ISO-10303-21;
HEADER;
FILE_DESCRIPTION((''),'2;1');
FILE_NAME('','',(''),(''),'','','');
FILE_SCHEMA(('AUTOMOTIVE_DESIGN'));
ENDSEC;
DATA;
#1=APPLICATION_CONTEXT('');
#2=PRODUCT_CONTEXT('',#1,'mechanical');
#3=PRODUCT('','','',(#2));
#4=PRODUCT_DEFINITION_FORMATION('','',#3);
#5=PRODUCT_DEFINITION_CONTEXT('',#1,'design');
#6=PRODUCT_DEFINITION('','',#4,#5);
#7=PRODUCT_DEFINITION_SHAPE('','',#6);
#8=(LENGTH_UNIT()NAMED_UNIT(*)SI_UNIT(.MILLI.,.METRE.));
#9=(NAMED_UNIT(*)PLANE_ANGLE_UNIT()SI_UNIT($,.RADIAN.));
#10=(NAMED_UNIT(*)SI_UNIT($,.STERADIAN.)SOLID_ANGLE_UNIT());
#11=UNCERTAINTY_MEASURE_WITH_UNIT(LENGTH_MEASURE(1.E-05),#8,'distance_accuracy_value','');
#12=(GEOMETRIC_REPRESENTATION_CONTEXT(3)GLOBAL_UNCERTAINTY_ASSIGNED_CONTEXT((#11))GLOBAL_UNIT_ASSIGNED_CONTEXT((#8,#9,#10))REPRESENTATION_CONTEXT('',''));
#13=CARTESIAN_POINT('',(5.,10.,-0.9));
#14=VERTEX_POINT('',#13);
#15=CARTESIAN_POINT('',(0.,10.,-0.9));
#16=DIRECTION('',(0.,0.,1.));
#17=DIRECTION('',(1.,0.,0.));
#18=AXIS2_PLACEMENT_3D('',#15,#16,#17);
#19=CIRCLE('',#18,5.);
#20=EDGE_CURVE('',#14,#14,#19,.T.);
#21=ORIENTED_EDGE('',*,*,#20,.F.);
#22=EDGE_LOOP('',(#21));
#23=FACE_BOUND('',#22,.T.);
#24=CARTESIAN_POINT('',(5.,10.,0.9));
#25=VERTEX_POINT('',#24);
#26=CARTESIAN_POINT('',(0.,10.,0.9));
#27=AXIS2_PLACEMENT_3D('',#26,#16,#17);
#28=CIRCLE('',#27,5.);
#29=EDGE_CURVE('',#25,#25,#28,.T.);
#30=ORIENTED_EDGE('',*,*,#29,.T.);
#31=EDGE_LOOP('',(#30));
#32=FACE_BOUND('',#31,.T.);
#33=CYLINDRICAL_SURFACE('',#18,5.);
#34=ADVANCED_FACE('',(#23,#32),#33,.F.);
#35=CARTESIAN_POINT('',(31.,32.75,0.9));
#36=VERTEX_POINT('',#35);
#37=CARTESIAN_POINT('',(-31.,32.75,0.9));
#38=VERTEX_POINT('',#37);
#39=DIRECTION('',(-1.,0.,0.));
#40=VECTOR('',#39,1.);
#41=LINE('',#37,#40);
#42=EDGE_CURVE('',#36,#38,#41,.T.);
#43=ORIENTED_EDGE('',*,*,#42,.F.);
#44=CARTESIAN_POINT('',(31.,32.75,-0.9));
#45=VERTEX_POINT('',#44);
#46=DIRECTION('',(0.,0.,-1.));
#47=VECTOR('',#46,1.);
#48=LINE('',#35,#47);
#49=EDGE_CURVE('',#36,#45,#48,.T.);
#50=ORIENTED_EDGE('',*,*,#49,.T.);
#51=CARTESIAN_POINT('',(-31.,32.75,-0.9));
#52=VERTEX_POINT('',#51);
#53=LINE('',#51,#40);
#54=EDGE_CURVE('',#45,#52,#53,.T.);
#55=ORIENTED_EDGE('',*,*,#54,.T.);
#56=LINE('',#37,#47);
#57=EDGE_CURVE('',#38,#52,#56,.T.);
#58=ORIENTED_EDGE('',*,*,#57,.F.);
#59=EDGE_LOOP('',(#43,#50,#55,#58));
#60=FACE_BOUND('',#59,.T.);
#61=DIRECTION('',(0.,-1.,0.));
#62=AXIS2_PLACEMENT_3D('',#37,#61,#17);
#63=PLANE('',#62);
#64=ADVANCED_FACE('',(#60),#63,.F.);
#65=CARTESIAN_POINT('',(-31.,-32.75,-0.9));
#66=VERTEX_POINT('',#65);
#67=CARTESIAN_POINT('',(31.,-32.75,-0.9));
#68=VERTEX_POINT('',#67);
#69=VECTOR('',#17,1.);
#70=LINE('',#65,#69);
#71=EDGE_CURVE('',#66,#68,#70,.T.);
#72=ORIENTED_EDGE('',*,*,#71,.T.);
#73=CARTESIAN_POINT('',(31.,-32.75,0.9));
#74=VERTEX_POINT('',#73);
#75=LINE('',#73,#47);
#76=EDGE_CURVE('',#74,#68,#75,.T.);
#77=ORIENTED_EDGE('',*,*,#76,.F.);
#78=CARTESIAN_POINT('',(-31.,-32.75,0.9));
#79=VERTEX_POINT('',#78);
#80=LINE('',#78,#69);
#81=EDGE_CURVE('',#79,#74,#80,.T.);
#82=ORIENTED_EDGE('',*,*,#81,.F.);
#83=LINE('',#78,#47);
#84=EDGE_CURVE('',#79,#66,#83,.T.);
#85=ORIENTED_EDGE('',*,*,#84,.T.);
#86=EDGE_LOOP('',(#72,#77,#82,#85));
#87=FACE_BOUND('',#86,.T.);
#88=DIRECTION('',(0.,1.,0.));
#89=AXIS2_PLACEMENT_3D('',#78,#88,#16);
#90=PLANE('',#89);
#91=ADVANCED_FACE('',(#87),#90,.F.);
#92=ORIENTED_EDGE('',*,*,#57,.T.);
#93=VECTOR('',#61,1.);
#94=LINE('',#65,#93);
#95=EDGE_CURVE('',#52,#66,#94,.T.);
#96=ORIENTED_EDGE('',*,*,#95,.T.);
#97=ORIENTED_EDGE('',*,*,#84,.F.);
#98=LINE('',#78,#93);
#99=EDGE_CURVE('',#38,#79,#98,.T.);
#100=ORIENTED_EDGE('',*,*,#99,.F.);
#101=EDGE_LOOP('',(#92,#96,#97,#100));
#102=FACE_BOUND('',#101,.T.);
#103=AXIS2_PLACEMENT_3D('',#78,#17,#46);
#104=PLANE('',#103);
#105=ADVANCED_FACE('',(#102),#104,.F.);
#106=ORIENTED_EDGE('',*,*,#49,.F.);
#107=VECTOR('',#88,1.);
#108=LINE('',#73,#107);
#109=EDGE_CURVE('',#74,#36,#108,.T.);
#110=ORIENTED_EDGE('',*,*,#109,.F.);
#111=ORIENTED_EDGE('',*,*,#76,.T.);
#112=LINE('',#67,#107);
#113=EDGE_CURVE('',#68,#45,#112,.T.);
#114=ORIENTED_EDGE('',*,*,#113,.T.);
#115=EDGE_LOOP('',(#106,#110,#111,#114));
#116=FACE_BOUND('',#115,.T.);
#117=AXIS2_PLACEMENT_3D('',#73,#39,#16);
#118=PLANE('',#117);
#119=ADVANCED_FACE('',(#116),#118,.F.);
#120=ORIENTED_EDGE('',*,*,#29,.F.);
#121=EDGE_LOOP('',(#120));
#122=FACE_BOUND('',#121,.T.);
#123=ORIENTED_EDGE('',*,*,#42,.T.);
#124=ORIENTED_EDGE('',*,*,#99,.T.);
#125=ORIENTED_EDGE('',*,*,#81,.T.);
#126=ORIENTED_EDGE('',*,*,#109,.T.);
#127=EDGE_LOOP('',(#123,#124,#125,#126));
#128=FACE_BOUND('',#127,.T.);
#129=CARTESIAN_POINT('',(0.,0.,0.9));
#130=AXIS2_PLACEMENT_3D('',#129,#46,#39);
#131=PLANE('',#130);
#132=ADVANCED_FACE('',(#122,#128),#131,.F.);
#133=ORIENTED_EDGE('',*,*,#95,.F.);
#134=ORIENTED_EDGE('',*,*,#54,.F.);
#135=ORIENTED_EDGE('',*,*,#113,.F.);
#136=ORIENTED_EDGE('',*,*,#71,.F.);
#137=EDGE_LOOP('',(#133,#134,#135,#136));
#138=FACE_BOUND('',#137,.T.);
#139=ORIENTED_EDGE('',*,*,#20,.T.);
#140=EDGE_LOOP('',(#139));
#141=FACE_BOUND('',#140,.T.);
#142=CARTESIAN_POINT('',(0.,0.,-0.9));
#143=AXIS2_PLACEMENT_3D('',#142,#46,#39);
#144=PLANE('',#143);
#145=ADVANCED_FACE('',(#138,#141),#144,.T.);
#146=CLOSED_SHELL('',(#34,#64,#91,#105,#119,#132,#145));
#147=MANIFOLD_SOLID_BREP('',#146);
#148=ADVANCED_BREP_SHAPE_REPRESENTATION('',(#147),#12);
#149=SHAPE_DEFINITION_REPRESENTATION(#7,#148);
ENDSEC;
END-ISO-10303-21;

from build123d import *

# Parameters (mm, degrees)
SKETCH1_W           = 62
SKETCH1_H           = 65.5
BOSS_EXTRUDE1_DEPTH = 0.9
SKETCH2_R           = 5
CUT_EXTRUDE1_DEPTH  = 46.130948361


with BuildPart() as part:
    # Sketch1 → Boss-Extrude1 (new, symmetric)
    with BuildSketch(Plane.XY):
        Rectangle(SKETCH1_W, SKETCH1_H)
    extrude(amount=BOSS_EXTRUDE1_DEPTH, both=True)

    # Sketch2 → Cut-Extrude1 (cut, through all)
    with BuildSketch(Plane.XY.offset(0.9)):
        with Locations((0, 10)):
            Circle(SKETCH2_R)
    extrude(amount=-CUT_EXTRUDE1_DEPTH, mode=Mode.SUBTRACT)


solid = part.part
